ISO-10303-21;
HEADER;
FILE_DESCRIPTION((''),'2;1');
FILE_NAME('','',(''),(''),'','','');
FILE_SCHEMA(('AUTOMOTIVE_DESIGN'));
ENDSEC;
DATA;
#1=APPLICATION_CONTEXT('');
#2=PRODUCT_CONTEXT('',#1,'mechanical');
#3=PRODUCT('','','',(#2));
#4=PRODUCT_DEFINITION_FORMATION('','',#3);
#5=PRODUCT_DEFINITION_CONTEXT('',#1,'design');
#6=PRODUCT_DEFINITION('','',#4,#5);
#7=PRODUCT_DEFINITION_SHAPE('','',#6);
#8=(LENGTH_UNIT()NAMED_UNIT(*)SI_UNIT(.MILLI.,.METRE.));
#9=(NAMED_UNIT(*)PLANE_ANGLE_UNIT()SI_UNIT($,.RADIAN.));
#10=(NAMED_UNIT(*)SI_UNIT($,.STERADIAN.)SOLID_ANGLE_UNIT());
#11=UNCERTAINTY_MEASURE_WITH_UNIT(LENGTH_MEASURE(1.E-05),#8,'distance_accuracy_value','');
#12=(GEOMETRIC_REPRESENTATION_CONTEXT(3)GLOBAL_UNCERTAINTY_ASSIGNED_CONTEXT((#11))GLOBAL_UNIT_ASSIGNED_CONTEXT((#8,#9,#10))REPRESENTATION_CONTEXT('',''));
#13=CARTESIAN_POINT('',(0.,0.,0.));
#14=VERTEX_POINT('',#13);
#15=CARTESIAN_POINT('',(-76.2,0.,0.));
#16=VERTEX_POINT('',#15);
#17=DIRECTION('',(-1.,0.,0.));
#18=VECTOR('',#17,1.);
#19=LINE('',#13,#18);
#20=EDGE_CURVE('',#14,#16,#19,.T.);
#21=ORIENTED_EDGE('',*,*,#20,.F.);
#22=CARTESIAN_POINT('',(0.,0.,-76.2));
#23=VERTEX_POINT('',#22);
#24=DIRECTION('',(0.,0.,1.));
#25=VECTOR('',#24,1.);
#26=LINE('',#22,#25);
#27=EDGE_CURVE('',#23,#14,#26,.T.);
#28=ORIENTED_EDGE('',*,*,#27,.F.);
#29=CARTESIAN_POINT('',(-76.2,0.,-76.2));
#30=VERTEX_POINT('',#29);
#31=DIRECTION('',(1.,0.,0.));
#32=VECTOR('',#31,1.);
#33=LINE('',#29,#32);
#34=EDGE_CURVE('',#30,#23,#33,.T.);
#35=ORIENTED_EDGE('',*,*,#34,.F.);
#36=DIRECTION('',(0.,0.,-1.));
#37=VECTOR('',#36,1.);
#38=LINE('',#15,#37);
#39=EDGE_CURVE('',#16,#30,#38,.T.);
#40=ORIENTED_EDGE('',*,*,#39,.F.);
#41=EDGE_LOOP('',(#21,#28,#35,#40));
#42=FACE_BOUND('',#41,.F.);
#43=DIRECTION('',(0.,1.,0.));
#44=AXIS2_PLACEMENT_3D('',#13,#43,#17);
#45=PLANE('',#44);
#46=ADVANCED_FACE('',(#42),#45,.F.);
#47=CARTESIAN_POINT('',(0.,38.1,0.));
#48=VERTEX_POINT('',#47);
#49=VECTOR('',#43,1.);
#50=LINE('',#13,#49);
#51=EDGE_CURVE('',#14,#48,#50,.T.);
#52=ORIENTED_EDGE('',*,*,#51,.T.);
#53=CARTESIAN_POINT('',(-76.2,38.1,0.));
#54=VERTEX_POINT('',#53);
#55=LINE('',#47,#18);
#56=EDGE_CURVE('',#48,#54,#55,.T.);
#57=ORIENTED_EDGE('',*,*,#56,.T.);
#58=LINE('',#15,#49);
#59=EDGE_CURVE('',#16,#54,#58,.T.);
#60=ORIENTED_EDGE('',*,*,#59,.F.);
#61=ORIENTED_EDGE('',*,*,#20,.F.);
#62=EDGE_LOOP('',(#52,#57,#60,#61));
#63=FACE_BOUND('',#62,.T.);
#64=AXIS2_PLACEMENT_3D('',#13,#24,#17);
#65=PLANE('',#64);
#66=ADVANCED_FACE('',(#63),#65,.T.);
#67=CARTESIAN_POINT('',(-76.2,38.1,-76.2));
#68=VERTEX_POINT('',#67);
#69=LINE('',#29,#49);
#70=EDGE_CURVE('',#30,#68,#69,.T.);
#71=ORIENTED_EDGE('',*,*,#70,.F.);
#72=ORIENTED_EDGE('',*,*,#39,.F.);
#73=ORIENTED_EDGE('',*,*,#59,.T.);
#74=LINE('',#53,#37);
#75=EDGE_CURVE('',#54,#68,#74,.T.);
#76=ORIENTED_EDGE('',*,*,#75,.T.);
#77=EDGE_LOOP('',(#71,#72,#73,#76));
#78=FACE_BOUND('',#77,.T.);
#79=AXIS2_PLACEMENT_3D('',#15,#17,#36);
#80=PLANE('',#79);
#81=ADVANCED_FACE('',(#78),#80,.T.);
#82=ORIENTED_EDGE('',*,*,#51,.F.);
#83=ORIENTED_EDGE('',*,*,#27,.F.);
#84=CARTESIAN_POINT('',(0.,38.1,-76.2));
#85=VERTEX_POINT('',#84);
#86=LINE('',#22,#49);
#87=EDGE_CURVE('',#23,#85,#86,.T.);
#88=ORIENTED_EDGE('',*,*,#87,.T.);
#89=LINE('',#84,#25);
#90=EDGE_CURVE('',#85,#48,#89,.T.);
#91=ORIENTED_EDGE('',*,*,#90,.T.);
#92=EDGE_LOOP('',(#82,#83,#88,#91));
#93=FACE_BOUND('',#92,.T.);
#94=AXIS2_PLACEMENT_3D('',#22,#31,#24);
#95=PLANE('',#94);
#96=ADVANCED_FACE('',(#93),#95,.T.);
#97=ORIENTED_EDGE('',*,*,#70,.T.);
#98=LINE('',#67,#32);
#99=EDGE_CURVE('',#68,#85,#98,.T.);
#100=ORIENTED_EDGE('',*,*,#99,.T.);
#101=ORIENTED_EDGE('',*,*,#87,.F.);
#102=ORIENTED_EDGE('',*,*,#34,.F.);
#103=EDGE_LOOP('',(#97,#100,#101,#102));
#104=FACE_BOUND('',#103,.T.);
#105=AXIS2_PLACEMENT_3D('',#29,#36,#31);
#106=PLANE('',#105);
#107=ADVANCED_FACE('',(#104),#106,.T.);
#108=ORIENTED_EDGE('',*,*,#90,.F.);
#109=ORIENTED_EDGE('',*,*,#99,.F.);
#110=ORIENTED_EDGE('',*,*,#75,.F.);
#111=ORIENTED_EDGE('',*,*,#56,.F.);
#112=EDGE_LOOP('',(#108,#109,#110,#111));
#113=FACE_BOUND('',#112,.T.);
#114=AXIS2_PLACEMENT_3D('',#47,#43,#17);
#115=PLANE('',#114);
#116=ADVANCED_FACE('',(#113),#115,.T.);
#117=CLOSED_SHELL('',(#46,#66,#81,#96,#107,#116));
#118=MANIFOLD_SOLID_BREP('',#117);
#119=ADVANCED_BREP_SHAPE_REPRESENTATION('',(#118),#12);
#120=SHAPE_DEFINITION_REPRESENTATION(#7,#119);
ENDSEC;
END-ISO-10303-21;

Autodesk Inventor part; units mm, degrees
ref_plane "YZ Plane" through (0, 0, 0) normal (1, 0, 0) x (0, 1, 0)
ref_plane "XZ Plane" through (0, 0, 0) normal (0, 1, 0) x (-1, 0, 0)
ref_plane "XY Plane" through (0, 0, 0) normal (0, 0, 1) x (1, 0, 0)
sketch "Sketch1" plane through (0, 0, 0) normal (0, 1, 0) x (-1, 0, 0)
  line L0 (0, 0) -> (76.2, 0)
  line L1 (76.2, 0) -> (76.2, -76.2)
  line L2 (76.2, -76.2) -> (0, -76.2)
  line L3 (0, -76.2) -> (0, 0)
  dimension "d0" = 76.2
  dimension "d1" = 76.2
extrude "Extrusion1" add sketch "Sketch1" along normal blind 38.1
properties part number "Stock 3x3x1.5"
